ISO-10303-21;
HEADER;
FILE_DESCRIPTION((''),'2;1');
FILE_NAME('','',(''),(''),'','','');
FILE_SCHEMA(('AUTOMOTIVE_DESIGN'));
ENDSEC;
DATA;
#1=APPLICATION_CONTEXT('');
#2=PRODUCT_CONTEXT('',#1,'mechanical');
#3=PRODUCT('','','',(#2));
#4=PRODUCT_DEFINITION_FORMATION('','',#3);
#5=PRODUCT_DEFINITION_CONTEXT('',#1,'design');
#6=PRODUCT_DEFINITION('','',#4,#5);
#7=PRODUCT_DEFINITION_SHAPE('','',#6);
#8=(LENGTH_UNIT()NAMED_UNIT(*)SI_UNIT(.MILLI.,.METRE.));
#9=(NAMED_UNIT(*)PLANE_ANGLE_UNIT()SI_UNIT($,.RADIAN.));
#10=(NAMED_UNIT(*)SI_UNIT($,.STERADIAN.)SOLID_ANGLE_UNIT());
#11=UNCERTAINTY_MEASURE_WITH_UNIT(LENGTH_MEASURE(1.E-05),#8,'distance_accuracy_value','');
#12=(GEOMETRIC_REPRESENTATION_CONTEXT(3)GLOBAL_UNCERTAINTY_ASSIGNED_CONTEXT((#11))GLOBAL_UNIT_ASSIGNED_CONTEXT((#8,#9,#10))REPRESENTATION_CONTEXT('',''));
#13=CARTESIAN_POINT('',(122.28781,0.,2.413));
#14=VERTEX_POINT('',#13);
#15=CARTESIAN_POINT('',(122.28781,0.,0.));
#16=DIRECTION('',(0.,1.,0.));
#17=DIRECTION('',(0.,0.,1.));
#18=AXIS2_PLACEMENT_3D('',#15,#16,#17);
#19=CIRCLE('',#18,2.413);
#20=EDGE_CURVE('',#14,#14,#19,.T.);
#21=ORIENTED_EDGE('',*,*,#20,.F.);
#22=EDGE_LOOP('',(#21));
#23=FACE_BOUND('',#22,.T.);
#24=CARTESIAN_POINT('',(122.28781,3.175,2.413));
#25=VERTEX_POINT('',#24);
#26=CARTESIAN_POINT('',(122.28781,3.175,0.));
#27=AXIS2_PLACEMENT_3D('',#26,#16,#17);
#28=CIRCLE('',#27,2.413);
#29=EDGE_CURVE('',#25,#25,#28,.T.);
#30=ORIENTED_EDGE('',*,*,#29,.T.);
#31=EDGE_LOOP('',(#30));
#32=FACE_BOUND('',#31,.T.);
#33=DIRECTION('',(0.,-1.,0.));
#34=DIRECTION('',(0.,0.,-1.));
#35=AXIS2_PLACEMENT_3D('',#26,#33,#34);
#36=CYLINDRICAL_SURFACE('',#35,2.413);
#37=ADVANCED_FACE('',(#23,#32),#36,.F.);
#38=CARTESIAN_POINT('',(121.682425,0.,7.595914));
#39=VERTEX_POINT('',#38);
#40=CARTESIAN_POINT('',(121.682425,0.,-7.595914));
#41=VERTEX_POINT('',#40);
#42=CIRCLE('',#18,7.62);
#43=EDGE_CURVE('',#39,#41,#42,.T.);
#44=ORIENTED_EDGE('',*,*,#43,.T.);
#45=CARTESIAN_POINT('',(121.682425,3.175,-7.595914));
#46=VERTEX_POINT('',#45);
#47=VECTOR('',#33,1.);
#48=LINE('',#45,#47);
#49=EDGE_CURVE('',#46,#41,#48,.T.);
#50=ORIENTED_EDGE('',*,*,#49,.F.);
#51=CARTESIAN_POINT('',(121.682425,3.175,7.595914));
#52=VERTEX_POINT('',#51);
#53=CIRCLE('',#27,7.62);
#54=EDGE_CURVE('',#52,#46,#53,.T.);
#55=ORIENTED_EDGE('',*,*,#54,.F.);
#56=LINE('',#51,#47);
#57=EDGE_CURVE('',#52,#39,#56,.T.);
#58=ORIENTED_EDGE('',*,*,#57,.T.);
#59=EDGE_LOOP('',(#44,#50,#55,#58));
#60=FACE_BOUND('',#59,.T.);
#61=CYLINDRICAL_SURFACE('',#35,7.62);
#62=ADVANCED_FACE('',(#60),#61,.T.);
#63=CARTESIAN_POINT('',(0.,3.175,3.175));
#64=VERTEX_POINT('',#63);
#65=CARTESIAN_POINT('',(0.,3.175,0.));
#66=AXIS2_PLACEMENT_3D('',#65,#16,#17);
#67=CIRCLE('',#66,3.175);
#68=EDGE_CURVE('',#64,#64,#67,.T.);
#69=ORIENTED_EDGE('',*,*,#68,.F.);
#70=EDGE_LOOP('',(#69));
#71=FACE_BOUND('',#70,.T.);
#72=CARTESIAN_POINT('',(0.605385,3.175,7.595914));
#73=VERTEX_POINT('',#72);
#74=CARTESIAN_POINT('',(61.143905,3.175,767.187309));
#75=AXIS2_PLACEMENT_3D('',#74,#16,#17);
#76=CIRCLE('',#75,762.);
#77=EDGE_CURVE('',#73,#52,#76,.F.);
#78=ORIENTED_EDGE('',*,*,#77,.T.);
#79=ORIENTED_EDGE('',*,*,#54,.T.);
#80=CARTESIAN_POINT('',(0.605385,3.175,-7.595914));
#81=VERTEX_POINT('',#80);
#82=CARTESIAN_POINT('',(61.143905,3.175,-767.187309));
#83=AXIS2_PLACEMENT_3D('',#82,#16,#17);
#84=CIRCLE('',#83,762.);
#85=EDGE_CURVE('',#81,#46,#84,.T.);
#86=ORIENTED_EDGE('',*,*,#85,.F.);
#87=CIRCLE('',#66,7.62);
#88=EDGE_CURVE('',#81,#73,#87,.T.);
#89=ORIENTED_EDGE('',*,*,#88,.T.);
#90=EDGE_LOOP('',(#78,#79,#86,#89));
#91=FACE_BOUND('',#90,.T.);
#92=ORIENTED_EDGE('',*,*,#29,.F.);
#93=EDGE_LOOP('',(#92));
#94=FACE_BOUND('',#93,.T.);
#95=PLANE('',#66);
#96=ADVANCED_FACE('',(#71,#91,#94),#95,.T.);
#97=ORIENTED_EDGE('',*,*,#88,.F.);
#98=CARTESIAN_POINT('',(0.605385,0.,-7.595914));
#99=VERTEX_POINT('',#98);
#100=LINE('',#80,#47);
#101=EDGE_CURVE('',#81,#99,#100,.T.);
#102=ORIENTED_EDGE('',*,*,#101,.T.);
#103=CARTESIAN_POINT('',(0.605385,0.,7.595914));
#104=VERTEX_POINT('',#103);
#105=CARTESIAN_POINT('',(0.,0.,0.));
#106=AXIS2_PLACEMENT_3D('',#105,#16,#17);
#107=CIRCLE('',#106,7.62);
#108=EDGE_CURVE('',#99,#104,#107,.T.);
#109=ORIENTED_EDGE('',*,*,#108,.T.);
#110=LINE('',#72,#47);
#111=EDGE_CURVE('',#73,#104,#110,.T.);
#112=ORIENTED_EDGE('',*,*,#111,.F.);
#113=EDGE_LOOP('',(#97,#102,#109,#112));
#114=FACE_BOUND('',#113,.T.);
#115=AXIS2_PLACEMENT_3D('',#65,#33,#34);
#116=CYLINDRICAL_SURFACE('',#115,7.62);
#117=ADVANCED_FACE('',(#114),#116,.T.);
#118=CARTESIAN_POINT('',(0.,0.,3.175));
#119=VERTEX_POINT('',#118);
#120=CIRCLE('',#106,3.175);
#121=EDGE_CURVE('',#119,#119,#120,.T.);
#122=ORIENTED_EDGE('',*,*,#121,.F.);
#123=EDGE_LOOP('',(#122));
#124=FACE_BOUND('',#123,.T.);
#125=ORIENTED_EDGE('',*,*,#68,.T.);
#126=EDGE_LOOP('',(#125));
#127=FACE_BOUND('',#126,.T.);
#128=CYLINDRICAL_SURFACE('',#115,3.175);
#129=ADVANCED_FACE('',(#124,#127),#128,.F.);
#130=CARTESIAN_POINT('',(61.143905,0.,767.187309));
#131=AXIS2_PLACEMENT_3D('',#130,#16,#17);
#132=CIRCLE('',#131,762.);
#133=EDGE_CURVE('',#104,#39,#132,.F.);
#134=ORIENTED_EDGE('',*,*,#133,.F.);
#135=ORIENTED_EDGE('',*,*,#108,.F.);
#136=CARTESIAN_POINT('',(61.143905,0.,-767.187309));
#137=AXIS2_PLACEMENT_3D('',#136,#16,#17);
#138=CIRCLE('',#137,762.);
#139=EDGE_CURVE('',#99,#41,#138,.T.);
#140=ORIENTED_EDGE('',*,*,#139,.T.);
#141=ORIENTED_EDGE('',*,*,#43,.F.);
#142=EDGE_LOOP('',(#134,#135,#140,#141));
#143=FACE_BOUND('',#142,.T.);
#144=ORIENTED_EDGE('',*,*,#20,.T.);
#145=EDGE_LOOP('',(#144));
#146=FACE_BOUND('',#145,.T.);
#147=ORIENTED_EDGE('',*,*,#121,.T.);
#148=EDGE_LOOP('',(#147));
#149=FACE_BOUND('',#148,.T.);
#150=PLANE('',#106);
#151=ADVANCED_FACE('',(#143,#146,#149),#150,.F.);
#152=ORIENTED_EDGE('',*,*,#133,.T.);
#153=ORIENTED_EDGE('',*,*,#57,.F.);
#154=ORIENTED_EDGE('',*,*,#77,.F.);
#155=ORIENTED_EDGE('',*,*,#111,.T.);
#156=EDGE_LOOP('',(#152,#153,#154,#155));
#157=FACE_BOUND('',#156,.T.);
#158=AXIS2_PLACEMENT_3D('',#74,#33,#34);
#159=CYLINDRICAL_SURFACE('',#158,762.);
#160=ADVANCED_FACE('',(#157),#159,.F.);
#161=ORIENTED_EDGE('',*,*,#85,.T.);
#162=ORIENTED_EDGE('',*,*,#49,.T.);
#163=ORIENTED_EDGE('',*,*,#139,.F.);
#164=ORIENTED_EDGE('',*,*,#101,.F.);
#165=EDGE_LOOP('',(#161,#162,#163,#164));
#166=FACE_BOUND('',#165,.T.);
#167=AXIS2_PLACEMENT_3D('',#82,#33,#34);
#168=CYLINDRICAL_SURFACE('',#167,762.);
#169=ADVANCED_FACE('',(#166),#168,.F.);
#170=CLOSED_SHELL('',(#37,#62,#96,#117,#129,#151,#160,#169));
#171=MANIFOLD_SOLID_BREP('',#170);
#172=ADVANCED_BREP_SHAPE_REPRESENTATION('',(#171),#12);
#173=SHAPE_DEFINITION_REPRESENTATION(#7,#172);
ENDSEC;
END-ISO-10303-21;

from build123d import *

# Parameters (mm, degrees)
SKETCH1_R           = 3.175
SKETCH1_R_2         = 2.413
BOSS_EXTRUDE1_DEPTH = 3.175


with BuildPart() as part:
    # Sketch1 → Boss-Extrude1 (new body)
    with BuildSketch(Plane(origin=(0, 0, 0), x_dir=(1, 0, 0), z_dir=(0, 1, 0))):
        with BuildLine():
            ThreePointArc((0.605385197, 7.595913952), (-7.62, 0), (0.605385197, -7.595913952))
            ThreePointArc((0.605385197, -7.595913952), (61.14390489, -5.187309133), (121.682424583, -7.595913952))
            ThreePointArc((121.682424583, -7.595913952), (129.90780978, 0), (121.682424583, 7.595913952))
            ThreePointArc((121.682424583, 7.595913952), (61.14390489, 5.187309133), (0.605385197, 7.595913952))
        make_face()
        with Locations(Location((0, 0, 0), (0, 0, 270))):
            Circle(SKETCH1_R, mode=Mode.SUBTRACT)
        with Locations(Location((122.28780978, 0, 0), (0, 0, 270))):
            Circle(SKETCH1_R_2, mode=Mode.SUBTRACT)
    extrude(amount=BOSS_EXTRUDE1_DEPTH)


solid = part.part
